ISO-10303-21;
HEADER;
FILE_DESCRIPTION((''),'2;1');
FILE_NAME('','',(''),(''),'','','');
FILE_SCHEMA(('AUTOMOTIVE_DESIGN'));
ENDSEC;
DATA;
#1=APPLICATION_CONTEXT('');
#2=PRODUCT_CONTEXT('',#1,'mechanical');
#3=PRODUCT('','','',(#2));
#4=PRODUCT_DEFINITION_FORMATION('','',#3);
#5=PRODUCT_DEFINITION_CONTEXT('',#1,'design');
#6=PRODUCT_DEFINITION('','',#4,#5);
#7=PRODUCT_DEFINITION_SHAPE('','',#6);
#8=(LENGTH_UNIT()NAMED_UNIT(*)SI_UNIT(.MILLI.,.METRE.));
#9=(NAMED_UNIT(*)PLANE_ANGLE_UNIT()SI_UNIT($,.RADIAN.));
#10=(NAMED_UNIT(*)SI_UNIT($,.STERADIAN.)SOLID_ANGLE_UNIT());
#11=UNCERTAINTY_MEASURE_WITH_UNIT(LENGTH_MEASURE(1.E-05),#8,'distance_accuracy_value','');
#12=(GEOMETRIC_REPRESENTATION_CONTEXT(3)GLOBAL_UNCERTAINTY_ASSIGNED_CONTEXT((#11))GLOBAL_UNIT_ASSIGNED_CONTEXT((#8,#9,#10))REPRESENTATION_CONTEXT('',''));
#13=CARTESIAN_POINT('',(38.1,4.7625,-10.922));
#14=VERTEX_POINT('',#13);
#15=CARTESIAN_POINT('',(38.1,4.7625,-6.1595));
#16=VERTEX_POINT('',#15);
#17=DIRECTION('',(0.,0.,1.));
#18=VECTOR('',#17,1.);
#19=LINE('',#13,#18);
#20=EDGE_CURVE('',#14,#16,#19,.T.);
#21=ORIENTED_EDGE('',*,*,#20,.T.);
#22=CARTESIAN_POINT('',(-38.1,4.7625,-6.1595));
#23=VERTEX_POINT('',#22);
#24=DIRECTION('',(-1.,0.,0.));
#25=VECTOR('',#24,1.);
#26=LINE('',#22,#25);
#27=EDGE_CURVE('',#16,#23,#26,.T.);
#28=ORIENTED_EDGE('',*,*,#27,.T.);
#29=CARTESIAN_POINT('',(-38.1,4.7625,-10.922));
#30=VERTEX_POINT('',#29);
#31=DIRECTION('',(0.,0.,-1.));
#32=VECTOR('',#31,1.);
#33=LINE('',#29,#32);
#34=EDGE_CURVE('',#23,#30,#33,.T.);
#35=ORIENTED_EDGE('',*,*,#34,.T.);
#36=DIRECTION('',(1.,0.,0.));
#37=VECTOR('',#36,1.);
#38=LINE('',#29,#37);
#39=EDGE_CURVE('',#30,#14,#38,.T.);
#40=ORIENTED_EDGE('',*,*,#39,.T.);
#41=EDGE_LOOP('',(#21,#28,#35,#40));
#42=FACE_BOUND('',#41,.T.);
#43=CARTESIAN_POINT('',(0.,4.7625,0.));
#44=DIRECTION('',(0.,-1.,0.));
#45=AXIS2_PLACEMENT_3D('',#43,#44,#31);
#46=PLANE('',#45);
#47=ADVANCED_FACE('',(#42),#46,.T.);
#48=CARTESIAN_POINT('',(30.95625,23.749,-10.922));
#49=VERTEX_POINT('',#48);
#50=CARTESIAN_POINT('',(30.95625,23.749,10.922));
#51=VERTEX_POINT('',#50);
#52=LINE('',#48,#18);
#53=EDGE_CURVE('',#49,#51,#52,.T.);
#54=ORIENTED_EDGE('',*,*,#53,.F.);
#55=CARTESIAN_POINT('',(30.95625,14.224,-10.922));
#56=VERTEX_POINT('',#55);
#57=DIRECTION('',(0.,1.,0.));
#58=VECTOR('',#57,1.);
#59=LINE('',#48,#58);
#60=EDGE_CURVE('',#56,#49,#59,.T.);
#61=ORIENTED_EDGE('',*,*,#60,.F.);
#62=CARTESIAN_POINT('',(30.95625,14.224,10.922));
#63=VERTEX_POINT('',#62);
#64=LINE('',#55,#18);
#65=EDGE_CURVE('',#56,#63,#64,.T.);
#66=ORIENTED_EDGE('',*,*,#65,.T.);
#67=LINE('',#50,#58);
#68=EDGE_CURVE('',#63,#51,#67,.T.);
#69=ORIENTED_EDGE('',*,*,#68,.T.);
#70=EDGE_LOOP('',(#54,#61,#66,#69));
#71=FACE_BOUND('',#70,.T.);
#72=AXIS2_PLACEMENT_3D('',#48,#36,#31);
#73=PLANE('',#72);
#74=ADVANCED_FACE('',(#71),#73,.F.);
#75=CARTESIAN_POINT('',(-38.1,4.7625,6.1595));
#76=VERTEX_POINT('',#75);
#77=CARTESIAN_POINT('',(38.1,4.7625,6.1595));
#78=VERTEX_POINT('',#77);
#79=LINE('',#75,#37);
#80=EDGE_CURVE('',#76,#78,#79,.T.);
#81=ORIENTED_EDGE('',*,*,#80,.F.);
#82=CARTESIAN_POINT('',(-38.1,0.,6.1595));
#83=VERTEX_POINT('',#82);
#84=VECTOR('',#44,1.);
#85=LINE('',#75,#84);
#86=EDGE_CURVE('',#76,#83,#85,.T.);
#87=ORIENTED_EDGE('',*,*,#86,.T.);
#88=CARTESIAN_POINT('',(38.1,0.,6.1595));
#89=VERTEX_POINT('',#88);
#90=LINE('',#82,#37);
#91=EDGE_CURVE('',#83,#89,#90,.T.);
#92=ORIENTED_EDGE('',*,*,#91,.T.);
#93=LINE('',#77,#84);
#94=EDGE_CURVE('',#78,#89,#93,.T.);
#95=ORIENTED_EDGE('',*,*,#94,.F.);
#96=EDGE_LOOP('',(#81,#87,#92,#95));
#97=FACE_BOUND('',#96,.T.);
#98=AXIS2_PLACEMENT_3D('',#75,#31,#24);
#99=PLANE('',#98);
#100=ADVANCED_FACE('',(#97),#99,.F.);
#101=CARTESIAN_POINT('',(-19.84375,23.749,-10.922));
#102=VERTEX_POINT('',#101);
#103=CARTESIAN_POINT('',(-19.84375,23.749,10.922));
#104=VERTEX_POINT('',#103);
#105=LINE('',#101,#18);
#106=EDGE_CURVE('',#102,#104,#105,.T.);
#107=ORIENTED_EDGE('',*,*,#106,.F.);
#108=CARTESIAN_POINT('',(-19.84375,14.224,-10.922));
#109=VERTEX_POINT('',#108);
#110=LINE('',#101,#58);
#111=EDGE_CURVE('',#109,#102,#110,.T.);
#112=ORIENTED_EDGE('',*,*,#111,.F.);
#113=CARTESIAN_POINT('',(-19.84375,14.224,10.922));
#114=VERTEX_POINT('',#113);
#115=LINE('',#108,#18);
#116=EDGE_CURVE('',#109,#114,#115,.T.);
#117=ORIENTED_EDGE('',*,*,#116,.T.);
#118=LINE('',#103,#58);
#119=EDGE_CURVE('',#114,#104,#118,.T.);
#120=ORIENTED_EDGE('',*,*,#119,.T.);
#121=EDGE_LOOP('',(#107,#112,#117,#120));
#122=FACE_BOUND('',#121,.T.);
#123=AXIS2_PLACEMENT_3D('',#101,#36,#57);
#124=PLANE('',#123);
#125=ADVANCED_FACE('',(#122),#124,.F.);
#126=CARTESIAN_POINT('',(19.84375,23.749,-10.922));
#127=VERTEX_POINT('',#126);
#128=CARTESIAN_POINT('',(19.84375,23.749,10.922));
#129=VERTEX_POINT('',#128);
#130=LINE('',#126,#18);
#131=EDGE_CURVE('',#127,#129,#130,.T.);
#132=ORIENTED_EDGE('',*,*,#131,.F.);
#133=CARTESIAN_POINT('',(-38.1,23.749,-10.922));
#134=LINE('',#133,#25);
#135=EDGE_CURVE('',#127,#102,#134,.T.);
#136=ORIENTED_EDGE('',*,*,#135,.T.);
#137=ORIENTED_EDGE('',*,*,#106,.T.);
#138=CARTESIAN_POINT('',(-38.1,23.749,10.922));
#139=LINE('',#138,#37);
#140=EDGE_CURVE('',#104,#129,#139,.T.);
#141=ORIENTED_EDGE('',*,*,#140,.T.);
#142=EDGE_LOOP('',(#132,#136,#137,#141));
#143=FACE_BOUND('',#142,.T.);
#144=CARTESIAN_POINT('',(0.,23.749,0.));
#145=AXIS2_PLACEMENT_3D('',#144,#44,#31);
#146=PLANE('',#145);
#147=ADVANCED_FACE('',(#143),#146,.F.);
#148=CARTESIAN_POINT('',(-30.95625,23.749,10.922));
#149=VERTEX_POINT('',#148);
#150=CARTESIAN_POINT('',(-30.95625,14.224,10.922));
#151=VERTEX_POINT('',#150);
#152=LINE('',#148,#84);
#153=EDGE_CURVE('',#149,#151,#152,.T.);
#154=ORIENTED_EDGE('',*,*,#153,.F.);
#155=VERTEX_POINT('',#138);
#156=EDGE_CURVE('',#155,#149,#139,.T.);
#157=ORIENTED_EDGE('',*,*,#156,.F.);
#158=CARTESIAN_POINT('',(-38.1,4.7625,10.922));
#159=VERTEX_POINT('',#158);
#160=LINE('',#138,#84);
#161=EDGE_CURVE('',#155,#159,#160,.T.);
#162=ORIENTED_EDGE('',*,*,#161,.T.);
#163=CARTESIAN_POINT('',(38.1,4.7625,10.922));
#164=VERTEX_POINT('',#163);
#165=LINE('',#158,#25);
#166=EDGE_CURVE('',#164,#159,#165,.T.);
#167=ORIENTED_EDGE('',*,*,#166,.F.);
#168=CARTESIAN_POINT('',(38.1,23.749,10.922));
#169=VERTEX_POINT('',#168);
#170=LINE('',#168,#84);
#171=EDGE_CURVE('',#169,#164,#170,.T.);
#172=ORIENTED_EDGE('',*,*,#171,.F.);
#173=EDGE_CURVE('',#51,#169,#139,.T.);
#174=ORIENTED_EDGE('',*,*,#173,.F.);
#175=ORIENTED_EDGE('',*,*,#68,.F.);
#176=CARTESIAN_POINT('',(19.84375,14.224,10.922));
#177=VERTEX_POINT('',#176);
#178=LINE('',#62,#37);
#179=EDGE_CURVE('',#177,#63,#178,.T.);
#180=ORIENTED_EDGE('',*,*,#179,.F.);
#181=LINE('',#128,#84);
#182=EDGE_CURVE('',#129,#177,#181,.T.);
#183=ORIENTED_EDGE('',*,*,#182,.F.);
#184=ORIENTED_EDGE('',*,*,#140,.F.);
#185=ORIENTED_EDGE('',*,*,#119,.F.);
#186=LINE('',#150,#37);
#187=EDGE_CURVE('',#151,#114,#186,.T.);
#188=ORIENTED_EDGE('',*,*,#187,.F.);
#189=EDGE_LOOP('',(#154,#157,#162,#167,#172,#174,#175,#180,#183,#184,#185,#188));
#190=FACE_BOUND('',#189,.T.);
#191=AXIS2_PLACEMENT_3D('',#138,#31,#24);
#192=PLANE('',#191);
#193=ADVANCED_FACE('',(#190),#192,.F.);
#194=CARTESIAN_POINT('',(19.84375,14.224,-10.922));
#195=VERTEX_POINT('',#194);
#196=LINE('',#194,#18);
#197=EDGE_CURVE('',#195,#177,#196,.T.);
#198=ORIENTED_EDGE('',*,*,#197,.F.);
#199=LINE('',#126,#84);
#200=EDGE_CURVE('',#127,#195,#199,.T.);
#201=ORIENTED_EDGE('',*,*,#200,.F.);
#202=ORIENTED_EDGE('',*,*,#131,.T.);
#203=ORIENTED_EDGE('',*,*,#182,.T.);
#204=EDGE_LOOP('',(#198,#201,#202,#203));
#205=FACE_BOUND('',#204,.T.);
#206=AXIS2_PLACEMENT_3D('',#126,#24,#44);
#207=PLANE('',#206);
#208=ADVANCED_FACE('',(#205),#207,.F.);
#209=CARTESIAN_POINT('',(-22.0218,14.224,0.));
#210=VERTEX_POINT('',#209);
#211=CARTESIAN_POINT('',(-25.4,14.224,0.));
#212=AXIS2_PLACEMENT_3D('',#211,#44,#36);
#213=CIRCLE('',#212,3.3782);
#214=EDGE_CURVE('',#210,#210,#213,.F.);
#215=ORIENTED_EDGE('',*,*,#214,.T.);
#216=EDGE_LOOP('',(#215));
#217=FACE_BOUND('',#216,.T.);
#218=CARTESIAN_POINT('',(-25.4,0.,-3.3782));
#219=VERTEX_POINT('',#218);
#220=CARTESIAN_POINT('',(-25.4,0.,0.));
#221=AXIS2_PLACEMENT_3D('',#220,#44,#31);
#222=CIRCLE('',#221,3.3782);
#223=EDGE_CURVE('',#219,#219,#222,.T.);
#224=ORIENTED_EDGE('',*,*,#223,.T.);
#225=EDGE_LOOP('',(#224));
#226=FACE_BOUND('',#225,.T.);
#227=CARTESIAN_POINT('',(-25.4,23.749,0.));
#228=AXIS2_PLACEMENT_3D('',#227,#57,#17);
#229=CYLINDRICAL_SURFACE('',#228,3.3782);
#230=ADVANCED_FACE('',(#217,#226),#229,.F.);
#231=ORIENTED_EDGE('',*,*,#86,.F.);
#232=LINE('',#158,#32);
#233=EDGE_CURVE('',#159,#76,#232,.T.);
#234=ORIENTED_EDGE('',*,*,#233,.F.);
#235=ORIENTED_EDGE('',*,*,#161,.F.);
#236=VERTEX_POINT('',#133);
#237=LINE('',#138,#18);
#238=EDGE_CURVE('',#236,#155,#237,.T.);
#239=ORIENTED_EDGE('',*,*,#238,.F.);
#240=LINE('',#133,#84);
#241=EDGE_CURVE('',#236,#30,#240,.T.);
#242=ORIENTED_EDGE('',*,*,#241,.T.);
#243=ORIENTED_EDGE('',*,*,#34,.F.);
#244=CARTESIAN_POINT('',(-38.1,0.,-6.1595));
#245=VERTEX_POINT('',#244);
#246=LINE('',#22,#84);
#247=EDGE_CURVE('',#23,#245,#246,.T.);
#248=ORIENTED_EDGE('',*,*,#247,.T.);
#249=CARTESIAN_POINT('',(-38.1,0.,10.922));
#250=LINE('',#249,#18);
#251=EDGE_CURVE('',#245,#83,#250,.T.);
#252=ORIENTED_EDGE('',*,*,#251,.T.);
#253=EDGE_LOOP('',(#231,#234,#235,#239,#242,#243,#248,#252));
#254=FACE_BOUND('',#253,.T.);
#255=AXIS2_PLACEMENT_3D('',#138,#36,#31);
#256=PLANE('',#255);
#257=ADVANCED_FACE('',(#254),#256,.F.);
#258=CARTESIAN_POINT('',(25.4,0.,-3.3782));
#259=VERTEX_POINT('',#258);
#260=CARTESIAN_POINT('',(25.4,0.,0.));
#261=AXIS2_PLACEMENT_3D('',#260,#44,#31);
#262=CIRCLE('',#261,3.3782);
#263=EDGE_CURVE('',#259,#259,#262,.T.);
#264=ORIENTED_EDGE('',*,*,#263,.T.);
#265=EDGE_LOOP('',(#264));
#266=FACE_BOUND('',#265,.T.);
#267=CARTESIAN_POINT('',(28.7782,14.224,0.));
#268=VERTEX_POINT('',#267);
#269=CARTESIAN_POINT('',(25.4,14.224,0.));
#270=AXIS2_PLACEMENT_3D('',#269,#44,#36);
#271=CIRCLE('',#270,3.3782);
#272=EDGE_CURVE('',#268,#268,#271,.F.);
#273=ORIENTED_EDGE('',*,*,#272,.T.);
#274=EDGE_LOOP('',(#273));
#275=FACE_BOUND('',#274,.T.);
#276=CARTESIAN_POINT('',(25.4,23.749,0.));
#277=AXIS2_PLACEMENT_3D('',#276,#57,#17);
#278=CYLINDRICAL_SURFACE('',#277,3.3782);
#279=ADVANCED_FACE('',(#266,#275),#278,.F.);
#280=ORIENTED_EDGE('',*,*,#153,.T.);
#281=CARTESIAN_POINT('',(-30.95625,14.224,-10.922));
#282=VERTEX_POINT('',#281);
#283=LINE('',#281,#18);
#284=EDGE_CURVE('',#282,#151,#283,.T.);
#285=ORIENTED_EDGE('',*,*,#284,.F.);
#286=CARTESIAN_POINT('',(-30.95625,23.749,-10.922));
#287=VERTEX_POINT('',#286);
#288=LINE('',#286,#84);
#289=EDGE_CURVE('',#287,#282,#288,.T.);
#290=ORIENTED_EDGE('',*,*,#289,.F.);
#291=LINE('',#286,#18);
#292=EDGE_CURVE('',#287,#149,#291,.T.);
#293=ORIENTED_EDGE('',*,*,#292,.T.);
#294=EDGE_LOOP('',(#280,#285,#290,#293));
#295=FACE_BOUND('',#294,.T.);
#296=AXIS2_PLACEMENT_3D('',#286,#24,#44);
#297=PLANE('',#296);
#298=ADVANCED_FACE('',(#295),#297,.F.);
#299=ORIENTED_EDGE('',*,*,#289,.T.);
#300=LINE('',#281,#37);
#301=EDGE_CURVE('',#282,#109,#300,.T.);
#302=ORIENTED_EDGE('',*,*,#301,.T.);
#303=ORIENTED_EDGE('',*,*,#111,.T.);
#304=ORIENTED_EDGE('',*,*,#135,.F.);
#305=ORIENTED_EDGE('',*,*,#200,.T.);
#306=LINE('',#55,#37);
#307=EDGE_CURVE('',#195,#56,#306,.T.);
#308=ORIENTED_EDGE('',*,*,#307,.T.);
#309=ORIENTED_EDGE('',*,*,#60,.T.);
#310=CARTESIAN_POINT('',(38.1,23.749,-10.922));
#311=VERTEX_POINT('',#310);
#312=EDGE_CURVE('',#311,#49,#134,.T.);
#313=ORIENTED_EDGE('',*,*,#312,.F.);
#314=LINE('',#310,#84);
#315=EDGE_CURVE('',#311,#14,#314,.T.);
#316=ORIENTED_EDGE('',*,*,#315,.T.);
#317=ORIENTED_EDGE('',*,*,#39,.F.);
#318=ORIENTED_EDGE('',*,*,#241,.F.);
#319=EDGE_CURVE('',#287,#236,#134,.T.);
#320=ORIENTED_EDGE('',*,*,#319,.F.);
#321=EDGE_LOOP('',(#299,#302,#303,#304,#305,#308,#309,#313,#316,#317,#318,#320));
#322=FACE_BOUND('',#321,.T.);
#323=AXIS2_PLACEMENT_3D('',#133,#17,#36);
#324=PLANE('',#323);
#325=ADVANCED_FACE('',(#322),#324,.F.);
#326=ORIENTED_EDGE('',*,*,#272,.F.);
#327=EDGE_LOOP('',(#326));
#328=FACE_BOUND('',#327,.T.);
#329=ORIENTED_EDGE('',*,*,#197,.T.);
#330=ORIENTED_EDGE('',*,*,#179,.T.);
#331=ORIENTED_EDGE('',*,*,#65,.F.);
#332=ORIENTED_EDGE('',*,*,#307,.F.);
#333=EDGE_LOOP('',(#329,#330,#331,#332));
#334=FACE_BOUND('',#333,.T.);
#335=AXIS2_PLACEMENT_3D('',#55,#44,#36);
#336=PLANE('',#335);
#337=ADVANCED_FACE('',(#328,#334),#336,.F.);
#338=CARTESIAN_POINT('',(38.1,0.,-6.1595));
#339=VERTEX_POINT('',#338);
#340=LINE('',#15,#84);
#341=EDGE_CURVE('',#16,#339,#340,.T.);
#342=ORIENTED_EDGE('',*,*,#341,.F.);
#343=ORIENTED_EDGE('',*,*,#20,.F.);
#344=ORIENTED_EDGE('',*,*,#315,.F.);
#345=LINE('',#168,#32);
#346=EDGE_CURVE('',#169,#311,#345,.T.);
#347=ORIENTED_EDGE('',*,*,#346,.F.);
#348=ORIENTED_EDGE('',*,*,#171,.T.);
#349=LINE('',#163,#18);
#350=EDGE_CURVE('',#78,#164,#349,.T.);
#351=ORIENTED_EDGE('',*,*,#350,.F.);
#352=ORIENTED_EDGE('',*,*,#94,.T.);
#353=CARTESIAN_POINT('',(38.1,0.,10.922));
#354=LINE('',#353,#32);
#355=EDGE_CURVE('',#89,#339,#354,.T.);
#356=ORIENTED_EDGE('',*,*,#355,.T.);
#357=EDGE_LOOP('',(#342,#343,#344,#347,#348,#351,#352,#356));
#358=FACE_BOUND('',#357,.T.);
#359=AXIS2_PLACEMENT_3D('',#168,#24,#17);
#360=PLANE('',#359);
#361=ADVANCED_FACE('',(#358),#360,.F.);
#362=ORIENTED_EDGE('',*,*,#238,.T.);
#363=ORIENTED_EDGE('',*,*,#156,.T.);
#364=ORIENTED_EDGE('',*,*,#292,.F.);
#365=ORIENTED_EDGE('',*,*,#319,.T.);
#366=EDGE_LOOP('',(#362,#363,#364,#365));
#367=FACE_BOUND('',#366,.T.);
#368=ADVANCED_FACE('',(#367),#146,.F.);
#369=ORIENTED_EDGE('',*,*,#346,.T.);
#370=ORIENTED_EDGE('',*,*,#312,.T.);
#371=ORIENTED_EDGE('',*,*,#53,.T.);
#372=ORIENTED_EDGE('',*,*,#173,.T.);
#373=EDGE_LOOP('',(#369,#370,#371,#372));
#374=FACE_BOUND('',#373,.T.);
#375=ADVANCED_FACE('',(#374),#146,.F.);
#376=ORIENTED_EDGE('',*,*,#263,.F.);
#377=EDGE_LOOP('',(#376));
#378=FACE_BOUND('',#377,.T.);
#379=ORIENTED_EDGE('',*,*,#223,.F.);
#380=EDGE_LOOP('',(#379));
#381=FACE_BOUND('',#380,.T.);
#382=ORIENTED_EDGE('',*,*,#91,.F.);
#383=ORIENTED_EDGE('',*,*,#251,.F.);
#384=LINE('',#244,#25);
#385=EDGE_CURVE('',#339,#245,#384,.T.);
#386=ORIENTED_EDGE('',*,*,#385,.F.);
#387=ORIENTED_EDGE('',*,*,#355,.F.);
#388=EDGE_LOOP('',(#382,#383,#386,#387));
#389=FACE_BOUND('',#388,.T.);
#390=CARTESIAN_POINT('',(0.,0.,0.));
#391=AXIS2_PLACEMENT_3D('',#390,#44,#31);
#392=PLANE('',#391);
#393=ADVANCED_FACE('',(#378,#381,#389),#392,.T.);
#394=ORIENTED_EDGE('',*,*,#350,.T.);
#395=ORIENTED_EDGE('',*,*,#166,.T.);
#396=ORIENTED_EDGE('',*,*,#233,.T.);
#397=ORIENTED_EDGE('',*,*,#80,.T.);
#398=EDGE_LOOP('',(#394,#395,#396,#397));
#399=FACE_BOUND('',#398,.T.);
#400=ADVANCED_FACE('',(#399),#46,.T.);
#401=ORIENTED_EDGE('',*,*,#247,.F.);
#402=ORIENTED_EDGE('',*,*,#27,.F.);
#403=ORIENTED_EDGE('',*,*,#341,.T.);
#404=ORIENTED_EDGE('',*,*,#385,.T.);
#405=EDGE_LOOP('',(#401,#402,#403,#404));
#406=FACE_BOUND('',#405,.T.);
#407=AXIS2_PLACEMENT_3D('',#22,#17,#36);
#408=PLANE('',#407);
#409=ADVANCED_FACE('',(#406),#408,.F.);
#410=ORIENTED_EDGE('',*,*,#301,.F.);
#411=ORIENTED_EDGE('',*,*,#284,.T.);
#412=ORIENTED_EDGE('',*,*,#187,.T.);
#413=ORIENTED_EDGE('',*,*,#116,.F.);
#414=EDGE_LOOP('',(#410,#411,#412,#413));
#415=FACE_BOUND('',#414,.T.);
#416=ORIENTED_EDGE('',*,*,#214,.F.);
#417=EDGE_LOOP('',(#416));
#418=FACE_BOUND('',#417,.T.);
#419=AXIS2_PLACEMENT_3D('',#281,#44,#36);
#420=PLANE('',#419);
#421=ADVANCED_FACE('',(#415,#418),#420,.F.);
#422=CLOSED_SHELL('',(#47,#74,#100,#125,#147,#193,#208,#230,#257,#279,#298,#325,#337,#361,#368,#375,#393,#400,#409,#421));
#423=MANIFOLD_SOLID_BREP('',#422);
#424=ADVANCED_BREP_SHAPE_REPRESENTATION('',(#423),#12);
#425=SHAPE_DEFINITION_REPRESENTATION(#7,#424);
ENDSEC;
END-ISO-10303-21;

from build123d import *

# Parameters (mm, degrees)
SKETCH1_W                            = 76.2
SKETCH1_H                            = 21.844
STOCK_DEPTH                          = 23.749
CLEARANCE_HOLES_FOR_MOUNTING_BOLTS_D = 6.7564
SKETCH5_W                            = 76.2
SKETCH5_H                            = 4.7625
CLEARANCE_RABBIT_DEPTH               = 4.7625
SKETCH6_W                            = 11.1125
SKETCH6_H                            = 9.525
CUT_EXTRUDE1_DEPTH                   = 50.927801243


with BuildPart() as part:
    # Sketch1 → Stock (new body)
    with BuildSketch(Plane(origin=(0, 0, 0), x_dir=(1, 0, 0), z_dir=(0, 1, 0))):
        Rectangle(SKETCH1_W, SKETCH1_H)
    extrude(amount=STOCK_DEPTH)

    # Clearance holes for Mounting Bolts (through all)
    with Locations(Plane(origin=(0, 23.749, 0), x_dir=(1, 0, 0), z_dir=(0, 1, 0))):
        with Locations((-25.4, 0), (25.4, 0)):
            Hole(CLEARANCE_HOLES_FOR_MOUNTING_BOLTS_D / 2)

    # Sketch5 → Clearance Rabbit (cut)
    with BuildSketch(Plane.XZ):
        with Locations((0, 8.54075)):
            Rectangle(SKETCH5_W, SKETCH5_H)
        with Locations((0, -8.54075)):
            Rectangle(SKETCH5_W, SKETCH5_H)
    extrude(amount=-CLEARANCE_RABBIT_DEPTH, mode=Mode.SUBTRACT)

    # Sketch6 → Cut-Extrude1 (cut, through all)
    with BuildSketch(Plane.XY.offset(10.922)):
        with Locations((-25.4, 18.9865)):
            Rectangle(SKETCH6_W, SKETCH6_H)
        with Locations((25.4, 18.9865)):
            Rectangle(SKETCH6_W, SKETCH6_H)
    extrude(amount=-CUT_EXTRUDE1_DEPTH, mode=Mode.SUBTRACT)


solid = part.part
